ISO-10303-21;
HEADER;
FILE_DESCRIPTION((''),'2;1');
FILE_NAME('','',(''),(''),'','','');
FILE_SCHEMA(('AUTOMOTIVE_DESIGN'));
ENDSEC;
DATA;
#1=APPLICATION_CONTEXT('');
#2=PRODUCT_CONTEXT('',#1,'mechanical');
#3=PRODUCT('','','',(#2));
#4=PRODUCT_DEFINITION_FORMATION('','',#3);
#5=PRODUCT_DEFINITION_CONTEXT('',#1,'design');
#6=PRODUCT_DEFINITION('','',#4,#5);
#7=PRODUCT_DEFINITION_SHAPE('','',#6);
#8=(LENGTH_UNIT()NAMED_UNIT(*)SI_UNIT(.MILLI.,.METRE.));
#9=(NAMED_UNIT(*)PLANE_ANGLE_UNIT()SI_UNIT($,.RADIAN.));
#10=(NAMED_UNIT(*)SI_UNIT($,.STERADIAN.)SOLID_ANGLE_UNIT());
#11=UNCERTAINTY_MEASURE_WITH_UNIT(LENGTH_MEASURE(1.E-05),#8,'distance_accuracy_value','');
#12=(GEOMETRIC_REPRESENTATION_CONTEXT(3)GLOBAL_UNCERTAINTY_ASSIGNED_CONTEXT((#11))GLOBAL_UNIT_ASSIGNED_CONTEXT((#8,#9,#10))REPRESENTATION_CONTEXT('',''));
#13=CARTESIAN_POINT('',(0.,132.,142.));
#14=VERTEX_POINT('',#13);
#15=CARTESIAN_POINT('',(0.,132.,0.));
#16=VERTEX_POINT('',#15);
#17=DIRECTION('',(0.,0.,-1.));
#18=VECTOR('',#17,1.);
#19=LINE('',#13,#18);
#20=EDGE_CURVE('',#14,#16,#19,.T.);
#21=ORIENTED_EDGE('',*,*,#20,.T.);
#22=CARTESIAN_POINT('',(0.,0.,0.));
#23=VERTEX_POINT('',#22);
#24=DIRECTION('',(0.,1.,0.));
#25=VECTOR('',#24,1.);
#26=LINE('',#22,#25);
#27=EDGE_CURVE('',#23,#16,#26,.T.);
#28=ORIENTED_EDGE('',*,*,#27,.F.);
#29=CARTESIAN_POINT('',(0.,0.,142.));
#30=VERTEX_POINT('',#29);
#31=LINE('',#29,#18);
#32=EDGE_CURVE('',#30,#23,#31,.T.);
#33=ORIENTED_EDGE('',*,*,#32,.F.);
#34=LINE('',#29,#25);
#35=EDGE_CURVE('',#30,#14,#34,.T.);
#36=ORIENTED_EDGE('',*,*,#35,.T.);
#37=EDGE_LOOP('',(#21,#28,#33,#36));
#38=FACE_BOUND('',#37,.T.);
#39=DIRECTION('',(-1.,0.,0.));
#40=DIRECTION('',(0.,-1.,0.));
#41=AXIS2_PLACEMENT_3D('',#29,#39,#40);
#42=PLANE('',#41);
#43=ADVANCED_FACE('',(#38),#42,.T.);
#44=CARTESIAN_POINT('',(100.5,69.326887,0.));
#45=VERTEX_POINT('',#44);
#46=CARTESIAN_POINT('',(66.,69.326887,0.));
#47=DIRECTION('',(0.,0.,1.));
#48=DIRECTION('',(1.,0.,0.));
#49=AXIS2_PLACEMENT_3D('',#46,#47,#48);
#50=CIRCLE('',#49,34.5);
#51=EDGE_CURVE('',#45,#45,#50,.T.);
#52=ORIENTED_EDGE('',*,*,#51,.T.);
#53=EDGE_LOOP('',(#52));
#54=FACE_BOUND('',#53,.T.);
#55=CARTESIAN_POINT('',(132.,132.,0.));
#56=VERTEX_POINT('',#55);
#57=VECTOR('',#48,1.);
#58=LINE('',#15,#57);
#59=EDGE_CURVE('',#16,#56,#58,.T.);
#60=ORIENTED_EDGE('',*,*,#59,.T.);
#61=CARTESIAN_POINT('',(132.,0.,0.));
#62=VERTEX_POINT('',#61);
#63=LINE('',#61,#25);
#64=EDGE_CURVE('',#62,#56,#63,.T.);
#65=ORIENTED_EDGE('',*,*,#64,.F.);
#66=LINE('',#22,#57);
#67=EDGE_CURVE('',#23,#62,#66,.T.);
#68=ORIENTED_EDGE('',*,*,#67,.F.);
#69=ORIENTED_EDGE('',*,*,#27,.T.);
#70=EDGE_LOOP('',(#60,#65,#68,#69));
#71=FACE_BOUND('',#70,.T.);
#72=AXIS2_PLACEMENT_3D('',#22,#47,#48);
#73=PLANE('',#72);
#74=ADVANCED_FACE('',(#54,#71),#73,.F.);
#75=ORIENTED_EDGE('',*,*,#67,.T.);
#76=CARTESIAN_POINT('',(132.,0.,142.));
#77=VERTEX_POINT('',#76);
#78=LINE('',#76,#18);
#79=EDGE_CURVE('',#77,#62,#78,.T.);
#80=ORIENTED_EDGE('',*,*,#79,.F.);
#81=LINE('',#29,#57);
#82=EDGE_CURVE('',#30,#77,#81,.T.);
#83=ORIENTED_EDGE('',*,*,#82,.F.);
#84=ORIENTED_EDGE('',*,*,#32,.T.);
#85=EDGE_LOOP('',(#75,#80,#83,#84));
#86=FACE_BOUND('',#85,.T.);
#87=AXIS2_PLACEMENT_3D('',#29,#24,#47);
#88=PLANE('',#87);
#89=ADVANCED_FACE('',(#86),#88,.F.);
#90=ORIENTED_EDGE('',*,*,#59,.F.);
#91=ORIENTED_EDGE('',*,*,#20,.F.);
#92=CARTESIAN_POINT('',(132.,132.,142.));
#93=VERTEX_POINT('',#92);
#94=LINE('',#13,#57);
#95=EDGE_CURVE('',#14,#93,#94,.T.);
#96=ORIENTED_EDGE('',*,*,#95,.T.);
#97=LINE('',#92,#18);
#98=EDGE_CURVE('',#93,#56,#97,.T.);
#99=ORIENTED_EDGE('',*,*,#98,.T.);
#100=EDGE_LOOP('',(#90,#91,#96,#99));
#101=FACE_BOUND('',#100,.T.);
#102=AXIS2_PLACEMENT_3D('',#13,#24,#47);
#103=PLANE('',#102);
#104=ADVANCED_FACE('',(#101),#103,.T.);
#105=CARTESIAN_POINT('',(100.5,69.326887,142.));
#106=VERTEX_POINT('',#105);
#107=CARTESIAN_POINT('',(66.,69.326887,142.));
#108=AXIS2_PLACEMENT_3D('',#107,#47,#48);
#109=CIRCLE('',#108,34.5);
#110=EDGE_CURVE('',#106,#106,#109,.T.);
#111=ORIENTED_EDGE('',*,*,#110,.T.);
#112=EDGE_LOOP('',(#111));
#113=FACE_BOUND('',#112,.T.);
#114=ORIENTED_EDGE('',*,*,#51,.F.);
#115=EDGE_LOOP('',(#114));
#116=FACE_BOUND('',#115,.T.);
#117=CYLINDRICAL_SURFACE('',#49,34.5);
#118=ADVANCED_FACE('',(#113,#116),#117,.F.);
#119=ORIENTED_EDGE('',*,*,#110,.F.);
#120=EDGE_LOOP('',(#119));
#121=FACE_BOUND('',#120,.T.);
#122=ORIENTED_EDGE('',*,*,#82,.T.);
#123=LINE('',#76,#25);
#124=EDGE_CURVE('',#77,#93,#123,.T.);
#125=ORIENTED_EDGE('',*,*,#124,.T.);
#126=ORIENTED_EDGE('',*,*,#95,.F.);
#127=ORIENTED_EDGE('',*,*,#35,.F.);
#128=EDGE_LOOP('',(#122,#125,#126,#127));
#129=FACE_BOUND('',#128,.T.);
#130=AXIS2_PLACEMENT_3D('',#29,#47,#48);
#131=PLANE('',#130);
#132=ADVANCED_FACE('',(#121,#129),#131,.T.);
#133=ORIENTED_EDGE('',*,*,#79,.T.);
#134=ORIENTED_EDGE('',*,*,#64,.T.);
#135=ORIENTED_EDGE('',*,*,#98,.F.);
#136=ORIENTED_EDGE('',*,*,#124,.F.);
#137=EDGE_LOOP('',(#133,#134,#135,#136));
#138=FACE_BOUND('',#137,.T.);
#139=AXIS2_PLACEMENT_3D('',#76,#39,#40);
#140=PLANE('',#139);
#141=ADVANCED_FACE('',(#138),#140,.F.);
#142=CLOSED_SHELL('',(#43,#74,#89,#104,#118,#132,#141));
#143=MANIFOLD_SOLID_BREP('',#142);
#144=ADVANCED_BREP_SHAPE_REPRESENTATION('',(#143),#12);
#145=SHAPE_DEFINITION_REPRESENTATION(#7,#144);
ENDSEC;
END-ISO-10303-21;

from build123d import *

# Parameters (mm, degrees)
ESQUISSE1_W             = 132
ESQUISSE1_H             = 132
BOSS_EXTRU_1_DEPTH      = 142
ESQUISSE2_R             = 34.5
ENL_V_MAT_EXTRU_1_DEPTH = 142


with BuildPart() as part:
    # Esquisse1 → Boss.-Extru.1 (new body)
    with BuildSketch(Plane.XY):
        with Locations((66, 66)):
            Rectangle(ESQUISSE1_W, ESQUISSE1_H)
    extrude(amount=BOSS_EXTRU_1_DEPTH)

    # Esquisse2 → Enlèv. mat.-Extru.1 (cut)
    with BuildSketch(Plane.XY.offset(142)):
        with Locations((66, 69.326887323)):
            Circle(ESQUISSE2_R)
    extrude(amount=-ENL_V_MAT_EXTRU_1_DEPTH, mode=Mode.SUBTRACT)


solid = part.part
